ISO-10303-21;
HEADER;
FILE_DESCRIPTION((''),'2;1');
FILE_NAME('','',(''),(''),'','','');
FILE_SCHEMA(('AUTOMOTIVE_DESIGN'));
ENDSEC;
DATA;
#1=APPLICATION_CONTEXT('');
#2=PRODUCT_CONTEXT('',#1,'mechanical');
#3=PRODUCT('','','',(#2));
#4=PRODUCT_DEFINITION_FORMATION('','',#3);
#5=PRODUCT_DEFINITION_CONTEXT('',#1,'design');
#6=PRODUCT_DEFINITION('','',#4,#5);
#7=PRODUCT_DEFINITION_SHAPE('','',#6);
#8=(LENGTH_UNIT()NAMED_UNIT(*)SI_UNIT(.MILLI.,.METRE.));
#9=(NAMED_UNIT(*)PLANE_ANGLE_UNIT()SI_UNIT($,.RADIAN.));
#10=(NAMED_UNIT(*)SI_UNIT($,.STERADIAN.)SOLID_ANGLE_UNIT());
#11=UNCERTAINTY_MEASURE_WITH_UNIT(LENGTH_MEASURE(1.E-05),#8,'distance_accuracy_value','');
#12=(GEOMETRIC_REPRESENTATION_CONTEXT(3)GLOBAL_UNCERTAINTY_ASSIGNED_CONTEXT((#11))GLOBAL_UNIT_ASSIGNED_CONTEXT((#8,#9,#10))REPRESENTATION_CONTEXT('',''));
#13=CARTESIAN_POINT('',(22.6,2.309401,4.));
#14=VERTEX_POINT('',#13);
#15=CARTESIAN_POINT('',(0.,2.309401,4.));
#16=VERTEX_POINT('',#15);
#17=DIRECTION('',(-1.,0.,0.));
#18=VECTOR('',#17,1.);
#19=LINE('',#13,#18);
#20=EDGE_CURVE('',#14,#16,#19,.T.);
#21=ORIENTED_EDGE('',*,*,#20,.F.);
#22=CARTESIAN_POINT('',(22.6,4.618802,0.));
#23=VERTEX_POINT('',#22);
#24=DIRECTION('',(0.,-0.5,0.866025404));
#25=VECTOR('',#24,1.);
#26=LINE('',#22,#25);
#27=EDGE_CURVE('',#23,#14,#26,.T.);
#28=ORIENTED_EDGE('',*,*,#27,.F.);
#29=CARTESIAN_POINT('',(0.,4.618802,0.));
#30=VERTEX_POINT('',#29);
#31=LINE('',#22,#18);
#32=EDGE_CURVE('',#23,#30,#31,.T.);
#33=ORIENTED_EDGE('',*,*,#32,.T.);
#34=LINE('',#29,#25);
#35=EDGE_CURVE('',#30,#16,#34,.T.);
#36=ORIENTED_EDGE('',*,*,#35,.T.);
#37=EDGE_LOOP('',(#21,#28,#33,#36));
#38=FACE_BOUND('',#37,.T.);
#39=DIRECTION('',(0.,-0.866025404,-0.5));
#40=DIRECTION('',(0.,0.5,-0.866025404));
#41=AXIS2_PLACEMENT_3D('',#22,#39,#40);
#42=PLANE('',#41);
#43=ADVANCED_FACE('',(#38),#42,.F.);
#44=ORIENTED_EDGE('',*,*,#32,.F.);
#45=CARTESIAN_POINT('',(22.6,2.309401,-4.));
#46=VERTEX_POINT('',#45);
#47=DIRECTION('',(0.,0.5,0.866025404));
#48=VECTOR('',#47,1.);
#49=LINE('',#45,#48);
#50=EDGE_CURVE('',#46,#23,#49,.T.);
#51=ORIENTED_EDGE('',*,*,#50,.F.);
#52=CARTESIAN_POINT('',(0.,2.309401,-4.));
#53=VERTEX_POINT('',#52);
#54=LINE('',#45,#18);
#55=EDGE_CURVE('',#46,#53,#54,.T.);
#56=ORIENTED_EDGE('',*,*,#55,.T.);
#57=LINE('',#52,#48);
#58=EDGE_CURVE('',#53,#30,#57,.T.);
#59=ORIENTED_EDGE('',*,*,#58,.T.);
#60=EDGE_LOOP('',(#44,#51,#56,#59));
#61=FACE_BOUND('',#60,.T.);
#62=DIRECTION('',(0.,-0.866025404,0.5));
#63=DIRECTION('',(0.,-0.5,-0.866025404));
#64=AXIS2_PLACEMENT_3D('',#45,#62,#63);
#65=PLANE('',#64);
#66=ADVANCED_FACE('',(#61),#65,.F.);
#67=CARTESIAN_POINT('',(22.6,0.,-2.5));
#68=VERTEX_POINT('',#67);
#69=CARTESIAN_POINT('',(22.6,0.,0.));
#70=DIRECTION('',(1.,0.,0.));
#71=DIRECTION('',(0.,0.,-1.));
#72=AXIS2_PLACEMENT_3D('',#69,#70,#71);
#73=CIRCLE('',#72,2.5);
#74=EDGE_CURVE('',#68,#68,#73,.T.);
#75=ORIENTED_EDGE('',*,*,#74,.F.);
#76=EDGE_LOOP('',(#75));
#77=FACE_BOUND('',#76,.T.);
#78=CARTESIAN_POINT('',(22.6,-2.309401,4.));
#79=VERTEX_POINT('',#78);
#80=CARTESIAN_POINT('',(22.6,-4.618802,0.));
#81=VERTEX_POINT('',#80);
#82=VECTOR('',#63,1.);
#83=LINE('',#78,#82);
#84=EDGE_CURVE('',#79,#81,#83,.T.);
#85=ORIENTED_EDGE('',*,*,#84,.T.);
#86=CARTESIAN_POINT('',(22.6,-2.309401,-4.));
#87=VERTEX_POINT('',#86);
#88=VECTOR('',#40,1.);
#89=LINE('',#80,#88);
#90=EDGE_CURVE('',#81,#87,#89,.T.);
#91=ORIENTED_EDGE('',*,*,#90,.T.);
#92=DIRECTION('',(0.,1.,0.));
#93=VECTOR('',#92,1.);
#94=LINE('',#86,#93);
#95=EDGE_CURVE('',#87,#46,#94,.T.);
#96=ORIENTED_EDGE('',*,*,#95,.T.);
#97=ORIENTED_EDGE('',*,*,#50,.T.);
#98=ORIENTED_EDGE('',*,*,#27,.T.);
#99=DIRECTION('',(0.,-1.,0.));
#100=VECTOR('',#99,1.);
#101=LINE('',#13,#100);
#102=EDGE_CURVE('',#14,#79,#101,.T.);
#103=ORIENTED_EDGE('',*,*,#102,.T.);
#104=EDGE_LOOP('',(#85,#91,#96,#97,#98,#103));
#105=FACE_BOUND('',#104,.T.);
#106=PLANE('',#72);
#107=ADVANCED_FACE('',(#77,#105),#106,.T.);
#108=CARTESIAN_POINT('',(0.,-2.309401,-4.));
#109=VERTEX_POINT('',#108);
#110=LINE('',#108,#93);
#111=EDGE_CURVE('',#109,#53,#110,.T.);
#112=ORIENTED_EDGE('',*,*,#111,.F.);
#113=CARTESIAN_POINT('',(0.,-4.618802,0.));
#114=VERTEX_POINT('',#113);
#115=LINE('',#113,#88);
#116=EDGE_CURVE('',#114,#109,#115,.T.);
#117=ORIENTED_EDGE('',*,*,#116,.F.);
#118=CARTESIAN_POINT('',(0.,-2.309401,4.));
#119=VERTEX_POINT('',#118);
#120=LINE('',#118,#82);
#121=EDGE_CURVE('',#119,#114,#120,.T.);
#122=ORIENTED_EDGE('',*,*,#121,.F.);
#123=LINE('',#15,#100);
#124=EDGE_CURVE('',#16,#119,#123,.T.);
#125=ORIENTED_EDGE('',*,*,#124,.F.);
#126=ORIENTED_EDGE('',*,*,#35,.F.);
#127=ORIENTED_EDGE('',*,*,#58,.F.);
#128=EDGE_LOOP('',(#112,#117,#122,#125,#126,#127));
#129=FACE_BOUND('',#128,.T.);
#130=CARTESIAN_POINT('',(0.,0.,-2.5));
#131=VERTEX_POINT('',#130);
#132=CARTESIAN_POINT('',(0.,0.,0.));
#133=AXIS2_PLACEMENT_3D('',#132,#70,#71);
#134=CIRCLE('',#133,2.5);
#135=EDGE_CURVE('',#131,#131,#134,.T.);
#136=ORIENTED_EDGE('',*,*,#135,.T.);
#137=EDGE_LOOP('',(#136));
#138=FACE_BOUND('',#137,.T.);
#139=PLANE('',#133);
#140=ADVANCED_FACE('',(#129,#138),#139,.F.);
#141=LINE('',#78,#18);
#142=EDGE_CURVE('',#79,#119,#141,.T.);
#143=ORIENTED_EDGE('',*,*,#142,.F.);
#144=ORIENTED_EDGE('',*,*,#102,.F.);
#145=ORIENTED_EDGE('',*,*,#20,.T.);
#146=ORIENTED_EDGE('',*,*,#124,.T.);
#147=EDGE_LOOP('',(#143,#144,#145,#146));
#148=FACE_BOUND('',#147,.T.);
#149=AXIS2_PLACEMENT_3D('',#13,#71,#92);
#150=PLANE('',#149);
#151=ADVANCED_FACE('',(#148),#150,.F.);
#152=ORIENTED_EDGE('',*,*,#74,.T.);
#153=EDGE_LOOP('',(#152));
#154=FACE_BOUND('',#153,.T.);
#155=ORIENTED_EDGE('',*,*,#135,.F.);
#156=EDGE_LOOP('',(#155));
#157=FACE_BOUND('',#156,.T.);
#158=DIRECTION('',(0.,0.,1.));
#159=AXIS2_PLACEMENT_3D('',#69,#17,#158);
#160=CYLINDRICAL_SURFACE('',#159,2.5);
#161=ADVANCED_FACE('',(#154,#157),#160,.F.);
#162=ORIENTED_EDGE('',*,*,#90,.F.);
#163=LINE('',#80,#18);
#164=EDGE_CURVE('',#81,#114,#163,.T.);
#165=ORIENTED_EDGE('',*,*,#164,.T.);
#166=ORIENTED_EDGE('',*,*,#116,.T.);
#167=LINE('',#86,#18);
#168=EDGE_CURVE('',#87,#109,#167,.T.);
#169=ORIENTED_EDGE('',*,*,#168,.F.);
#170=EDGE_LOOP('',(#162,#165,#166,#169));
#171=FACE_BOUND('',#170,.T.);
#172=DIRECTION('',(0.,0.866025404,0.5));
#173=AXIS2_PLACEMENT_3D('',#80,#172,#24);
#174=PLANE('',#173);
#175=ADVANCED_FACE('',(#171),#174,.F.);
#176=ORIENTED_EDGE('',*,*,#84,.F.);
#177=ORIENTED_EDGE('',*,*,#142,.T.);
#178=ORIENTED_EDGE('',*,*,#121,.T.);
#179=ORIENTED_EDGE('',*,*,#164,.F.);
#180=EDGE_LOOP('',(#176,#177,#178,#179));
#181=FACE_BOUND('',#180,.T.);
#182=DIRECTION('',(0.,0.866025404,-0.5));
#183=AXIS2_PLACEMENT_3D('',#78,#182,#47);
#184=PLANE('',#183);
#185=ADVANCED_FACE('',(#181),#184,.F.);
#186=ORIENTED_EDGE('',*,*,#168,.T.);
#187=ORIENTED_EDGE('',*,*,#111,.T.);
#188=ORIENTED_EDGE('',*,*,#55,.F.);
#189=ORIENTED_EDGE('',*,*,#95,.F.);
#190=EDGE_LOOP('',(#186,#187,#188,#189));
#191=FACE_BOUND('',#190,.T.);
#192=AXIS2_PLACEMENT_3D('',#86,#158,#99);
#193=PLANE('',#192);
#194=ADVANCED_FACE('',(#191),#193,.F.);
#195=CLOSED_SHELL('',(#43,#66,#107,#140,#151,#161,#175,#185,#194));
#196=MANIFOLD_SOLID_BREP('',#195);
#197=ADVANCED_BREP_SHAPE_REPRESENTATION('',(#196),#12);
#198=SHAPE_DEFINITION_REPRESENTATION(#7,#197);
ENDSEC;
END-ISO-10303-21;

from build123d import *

# Parameters (mm, degrees)
SKETCH1_R           = 2.5
BOSS_EXTRUDE1_DEPTH = 22.6


with BuildPart() as part:
    # Sketch1 → Boss-Extrude1 (new body)
    with BuildSketch(Plane(origin=(0, 0, 0), x_dir=(0, 0, -1), z_dir=(1, 0, 0))):
        Polygon((0, 4.618802154), (-4, 2.309401077), (-4, -2.309401077), (0, -4.618802154), (4, -2.309401077), (4, 2.309401077), align=None)
        Circle(SKETCH1_R, mode=Mode.SUBTRACT)
    extrude(amount=BOSS_EXTRUDE1_DEPTH)


solid = part.part
